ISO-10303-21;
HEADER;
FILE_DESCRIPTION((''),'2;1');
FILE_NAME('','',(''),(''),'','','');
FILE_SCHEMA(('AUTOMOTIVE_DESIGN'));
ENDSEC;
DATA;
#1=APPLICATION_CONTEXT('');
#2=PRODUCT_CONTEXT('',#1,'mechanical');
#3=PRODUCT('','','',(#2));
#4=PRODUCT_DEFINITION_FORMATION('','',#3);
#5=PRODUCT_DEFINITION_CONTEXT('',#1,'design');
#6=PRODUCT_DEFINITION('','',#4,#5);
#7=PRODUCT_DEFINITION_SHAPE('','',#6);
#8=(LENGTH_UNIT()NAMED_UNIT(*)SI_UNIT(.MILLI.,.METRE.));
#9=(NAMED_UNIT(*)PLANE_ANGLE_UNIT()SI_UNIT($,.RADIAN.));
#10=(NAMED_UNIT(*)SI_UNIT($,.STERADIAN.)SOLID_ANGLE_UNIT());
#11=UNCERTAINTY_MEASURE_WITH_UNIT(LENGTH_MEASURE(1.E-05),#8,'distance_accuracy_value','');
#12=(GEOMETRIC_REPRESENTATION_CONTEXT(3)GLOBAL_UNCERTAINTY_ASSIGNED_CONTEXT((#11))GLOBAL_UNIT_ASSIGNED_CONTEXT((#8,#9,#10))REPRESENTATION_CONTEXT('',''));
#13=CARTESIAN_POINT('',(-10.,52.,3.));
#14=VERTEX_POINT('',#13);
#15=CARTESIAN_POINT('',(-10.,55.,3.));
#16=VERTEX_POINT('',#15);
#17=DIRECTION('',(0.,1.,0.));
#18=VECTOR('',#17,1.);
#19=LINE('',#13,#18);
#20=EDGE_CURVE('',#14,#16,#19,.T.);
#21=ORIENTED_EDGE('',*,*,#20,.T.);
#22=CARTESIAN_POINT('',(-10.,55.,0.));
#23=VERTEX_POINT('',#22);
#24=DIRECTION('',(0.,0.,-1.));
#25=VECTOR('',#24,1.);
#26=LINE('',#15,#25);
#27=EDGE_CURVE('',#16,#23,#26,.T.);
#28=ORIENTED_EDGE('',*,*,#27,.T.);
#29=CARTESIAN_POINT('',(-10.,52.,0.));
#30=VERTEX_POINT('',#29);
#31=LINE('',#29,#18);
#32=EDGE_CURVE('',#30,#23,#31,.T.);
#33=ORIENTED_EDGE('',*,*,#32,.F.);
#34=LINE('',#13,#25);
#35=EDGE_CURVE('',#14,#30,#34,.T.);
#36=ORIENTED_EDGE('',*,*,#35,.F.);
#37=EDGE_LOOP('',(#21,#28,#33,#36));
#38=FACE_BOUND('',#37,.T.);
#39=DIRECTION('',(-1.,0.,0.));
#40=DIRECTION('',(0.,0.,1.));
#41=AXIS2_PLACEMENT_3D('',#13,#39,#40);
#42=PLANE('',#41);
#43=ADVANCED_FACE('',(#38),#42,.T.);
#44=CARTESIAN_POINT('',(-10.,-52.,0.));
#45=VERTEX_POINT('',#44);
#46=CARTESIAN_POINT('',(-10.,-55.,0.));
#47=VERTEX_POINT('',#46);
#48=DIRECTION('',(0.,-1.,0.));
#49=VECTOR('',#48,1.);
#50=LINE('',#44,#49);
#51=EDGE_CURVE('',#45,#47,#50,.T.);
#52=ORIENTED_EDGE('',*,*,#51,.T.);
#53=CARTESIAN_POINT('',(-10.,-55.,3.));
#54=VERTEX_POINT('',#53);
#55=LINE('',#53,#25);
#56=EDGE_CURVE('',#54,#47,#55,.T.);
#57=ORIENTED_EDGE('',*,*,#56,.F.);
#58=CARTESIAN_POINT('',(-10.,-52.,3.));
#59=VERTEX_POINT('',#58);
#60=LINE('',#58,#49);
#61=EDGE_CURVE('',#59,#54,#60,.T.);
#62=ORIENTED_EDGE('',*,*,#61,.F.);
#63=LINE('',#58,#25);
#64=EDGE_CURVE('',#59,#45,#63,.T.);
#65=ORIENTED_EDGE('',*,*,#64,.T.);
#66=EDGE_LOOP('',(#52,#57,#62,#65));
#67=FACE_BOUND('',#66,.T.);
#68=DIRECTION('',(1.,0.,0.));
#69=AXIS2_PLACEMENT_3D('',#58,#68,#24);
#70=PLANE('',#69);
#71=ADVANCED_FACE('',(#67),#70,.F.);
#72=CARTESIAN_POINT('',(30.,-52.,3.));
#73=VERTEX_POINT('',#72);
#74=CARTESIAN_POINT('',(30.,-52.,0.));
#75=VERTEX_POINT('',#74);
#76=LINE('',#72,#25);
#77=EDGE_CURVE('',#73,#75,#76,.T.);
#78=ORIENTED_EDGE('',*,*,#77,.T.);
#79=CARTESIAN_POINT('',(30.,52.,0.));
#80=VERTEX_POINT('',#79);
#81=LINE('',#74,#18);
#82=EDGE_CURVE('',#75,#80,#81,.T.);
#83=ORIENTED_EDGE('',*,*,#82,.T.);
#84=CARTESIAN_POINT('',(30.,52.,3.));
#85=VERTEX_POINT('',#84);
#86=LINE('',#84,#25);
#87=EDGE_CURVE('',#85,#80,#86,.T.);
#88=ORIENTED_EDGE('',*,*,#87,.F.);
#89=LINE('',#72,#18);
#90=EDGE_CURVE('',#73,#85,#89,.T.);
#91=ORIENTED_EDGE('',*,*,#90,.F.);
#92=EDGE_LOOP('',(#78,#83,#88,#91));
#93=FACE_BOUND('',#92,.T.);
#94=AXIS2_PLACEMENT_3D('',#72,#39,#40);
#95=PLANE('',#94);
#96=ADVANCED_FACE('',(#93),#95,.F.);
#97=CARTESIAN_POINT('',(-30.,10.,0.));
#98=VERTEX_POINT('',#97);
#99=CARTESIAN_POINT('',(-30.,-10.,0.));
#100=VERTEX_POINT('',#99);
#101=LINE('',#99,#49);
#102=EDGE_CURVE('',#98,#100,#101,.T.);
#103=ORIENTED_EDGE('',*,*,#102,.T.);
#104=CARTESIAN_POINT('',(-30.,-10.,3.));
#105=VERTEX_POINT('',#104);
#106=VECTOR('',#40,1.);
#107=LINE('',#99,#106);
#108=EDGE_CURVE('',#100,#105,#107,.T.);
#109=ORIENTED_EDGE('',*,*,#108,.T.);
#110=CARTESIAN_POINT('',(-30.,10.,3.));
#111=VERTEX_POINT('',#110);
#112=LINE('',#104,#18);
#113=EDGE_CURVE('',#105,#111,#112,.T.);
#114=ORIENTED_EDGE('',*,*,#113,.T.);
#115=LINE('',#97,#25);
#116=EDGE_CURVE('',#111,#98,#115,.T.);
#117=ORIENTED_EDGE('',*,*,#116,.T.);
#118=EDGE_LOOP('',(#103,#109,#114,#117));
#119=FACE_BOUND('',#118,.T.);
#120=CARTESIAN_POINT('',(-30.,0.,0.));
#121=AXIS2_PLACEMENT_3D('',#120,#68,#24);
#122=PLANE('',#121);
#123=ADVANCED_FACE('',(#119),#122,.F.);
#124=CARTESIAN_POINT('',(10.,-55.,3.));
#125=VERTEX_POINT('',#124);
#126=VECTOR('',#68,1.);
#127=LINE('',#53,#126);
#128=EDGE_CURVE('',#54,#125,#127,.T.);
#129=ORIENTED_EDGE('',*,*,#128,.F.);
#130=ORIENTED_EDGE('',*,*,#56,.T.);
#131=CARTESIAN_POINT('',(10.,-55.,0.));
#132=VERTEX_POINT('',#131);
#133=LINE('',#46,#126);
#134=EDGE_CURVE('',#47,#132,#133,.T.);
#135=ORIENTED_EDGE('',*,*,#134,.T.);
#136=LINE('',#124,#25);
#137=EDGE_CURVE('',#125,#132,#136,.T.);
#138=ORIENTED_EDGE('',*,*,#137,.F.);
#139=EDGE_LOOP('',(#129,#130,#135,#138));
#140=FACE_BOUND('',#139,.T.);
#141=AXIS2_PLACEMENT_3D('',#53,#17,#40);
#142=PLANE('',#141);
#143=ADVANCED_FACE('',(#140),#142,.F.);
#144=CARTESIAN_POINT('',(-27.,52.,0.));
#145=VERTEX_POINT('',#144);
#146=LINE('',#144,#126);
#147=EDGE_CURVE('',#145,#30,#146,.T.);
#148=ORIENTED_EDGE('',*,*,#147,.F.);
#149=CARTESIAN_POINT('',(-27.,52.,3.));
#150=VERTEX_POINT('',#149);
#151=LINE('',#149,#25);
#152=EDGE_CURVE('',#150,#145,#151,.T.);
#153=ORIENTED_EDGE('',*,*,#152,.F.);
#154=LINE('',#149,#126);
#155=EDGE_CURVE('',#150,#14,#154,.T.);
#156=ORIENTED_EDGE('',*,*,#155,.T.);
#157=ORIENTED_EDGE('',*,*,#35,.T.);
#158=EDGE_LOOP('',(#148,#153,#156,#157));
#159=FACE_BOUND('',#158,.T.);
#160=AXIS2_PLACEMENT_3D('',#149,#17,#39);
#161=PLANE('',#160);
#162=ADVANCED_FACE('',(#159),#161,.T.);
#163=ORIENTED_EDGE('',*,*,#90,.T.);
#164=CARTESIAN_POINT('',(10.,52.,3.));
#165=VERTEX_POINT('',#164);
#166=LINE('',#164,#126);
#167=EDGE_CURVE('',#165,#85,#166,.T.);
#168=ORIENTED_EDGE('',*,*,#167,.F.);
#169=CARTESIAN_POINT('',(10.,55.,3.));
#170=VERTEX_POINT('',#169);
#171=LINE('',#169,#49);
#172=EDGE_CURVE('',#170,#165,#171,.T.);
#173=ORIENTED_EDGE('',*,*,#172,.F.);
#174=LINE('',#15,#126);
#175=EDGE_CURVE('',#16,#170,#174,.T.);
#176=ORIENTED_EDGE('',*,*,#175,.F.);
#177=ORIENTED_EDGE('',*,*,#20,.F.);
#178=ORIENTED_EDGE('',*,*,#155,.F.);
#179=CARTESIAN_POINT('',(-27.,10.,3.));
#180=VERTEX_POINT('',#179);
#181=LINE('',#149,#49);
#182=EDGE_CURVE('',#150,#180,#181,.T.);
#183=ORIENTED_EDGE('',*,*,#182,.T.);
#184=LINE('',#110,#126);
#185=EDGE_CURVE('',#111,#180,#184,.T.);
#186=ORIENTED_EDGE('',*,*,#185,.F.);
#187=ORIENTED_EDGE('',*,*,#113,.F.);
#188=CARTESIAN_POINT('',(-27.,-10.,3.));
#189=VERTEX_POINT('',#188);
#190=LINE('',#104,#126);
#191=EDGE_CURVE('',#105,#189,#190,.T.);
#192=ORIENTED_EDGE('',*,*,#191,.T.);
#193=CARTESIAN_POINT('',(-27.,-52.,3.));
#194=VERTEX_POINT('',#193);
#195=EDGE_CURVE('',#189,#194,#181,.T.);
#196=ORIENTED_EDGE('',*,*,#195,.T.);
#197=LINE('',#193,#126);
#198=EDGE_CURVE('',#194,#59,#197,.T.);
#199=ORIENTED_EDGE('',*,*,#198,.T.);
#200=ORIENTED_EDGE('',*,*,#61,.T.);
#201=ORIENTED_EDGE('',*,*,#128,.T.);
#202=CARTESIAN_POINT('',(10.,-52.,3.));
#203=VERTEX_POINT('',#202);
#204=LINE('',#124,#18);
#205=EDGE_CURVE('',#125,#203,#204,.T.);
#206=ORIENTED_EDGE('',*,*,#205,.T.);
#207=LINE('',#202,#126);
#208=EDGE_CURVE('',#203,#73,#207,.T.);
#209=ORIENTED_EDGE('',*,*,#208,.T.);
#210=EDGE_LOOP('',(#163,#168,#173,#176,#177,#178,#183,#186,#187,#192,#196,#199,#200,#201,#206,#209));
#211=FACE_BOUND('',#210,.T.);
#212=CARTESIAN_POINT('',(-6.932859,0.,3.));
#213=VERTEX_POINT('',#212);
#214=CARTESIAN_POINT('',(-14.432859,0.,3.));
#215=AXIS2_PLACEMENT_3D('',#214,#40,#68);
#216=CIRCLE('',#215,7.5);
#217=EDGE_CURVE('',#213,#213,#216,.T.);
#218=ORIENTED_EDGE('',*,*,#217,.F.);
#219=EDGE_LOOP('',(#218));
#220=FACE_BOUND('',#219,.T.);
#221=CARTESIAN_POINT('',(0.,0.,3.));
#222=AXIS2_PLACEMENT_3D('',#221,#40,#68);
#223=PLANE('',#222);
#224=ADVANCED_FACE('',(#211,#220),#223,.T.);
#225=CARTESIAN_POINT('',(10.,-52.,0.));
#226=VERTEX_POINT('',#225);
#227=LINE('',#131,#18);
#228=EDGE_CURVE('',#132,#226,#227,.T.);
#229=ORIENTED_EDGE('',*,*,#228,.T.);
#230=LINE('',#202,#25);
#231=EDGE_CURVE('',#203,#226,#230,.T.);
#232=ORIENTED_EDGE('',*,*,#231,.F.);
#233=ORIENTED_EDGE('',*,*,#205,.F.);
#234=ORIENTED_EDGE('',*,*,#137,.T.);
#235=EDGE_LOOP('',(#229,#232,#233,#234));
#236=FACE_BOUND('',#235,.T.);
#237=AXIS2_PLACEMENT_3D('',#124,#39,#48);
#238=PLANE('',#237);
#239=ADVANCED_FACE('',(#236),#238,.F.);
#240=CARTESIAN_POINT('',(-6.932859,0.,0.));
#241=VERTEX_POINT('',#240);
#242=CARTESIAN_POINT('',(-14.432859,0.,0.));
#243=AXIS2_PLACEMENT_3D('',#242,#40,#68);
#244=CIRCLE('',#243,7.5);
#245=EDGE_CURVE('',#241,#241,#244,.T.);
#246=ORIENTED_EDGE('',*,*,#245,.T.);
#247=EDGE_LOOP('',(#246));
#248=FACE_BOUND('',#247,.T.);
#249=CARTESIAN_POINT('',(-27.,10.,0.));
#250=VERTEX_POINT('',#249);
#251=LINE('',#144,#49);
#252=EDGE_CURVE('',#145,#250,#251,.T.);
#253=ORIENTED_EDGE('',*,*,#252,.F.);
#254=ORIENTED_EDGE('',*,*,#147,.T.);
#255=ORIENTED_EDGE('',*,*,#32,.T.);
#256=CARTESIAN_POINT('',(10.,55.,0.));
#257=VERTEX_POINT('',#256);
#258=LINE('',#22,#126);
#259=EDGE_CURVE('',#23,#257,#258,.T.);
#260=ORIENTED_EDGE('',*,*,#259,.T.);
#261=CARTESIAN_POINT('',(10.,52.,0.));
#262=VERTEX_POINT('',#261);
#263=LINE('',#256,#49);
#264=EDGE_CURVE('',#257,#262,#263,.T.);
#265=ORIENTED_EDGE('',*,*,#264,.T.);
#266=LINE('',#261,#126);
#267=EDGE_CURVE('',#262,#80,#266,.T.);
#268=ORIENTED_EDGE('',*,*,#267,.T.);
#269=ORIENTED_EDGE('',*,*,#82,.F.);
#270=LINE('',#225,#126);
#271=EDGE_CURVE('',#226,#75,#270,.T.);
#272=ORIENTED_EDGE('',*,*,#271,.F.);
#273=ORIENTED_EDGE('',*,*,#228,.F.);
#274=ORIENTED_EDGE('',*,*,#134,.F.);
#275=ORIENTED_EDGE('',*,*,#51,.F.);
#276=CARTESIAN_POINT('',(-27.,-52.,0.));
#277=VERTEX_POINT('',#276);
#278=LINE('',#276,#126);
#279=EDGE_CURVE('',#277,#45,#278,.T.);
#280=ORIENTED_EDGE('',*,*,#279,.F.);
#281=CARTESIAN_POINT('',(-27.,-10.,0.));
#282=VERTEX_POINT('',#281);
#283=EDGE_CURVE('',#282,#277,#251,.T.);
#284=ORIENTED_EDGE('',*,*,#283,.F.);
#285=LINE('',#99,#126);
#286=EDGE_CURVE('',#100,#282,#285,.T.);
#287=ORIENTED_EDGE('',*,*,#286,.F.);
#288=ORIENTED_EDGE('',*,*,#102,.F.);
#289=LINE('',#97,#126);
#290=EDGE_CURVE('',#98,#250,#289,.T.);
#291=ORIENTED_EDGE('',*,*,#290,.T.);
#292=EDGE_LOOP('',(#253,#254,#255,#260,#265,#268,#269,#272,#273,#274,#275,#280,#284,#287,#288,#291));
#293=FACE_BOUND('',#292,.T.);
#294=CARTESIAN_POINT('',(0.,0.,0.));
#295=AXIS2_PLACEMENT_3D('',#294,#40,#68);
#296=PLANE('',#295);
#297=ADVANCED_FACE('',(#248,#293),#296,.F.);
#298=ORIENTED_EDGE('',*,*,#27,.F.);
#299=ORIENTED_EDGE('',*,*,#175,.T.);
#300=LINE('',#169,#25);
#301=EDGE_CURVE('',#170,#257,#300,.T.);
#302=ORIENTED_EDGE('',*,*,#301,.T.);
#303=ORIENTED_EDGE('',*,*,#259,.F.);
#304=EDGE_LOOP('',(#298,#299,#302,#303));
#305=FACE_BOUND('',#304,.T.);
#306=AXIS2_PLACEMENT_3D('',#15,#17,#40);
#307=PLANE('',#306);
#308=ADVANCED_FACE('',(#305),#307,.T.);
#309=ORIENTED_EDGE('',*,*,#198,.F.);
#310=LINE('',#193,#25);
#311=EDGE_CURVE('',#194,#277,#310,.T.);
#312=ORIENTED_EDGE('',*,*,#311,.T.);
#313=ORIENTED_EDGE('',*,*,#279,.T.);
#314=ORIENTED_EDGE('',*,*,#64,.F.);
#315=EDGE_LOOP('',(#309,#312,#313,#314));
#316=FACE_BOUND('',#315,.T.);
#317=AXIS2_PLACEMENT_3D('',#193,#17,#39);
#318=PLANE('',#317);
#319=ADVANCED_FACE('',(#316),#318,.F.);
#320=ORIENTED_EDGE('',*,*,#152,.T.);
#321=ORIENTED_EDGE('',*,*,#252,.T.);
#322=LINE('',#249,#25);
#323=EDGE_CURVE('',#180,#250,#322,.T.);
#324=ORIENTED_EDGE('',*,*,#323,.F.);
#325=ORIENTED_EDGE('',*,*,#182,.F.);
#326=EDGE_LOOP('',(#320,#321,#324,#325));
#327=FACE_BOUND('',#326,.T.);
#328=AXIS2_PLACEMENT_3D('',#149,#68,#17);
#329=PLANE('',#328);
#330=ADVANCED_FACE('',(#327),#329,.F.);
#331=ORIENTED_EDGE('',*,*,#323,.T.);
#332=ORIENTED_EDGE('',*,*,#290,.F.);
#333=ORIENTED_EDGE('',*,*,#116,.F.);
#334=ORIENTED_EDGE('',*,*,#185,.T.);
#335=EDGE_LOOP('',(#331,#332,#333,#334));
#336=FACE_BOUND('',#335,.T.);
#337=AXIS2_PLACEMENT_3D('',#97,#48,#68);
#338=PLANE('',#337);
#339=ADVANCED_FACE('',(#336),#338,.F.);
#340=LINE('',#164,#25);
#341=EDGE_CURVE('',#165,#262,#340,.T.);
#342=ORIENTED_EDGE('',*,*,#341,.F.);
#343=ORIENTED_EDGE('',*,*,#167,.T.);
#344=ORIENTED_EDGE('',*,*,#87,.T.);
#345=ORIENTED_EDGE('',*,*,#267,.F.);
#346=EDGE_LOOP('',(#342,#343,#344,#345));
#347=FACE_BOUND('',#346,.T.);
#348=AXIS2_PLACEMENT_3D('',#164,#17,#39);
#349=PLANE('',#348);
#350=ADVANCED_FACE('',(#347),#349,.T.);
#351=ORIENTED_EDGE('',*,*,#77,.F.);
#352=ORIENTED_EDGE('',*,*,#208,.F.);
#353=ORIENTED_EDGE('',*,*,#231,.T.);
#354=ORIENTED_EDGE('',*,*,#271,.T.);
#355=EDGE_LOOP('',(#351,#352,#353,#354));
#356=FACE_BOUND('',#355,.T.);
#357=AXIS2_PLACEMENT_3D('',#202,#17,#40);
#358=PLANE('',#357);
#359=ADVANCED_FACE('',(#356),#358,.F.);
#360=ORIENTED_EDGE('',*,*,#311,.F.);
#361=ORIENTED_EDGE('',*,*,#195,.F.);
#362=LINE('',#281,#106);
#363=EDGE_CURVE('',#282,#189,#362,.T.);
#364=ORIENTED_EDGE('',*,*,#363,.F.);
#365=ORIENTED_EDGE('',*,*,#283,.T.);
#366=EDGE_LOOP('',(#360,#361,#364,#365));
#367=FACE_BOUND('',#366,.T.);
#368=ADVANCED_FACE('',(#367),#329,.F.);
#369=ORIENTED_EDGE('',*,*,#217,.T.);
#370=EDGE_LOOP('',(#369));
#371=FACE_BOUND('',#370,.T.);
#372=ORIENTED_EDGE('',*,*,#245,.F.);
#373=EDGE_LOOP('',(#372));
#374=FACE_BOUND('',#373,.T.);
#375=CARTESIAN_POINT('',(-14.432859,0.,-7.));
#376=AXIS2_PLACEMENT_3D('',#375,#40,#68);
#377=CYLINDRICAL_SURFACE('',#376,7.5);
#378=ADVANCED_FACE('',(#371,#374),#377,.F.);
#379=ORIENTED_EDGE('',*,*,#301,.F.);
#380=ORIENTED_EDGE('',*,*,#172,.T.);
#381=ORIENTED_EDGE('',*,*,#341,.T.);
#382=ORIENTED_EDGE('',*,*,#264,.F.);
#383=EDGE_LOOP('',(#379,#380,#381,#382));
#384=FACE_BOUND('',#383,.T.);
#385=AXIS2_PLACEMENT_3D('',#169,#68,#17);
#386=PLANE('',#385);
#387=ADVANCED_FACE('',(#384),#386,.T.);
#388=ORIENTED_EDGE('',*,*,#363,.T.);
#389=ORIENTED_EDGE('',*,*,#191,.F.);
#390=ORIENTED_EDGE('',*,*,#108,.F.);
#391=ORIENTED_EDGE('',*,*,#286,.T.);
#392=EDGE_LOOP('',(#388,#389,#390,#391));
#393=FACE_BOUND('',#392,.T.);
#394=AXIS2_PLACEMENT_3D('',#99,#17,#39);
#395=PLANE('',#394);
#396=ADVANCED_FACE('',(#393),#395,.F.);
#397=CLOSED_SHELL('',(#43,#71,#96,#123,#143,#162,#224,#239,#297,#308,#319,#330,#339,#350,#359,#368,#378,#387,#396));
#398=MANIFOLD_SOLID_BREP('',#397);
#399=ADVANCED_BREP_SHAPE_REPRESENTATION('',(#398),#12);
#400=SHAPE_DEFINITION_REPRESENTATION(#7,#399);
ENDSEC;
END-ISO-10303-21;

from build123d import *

# Parameters (mm, degrees)
BOSS_EXTRUDE1_DEPTH = 3
SKETCH3_R           = 7.5
CUT_EXTRUDE1_DEPTH  = 10
SKETCH4_W           = 3
SKETCH4_H           = 20
BOSS_EXTRUDE2_DEPTH = 3


with BuildPart() as part:
    # Sketch1 → Boss-Extrude1 (new body)
    with BuildSketch(Plane.XY):
        Polygon((-10, 52), (-10, 55), (10, 55), (10, 52), (30, 52), (30, -52), (10, -52), (10, -55), (-10, -55), (-10, -52), (-27, -52), (-27, 52), align=None)
    extrude(amount=BOSS_EXTRUDE1_DEPTH)

    # Sketch3 → Cut-Extrude1 (cut)
    with BuildSketch(Plane.XY.offset(3)):
        with Locations((-14.432858662, 0)):
            Circle(SKETCH3_R)
    extrude(amount=-CUT_EXTRUDE1_DEPTH, mode=Mode.SUBTRACT)

    # Sketch4 → Boss-Extrude2 (add)
    with BuildSketch(Plane.ZY.offset(27)):
        with Locations((1.5, 0)):
            Rectangle(SKETCH4_W, SKETCH4_H)
    extrude(amount=BOSS_EXTRUDE2_DEPTH)


solid = part.part
